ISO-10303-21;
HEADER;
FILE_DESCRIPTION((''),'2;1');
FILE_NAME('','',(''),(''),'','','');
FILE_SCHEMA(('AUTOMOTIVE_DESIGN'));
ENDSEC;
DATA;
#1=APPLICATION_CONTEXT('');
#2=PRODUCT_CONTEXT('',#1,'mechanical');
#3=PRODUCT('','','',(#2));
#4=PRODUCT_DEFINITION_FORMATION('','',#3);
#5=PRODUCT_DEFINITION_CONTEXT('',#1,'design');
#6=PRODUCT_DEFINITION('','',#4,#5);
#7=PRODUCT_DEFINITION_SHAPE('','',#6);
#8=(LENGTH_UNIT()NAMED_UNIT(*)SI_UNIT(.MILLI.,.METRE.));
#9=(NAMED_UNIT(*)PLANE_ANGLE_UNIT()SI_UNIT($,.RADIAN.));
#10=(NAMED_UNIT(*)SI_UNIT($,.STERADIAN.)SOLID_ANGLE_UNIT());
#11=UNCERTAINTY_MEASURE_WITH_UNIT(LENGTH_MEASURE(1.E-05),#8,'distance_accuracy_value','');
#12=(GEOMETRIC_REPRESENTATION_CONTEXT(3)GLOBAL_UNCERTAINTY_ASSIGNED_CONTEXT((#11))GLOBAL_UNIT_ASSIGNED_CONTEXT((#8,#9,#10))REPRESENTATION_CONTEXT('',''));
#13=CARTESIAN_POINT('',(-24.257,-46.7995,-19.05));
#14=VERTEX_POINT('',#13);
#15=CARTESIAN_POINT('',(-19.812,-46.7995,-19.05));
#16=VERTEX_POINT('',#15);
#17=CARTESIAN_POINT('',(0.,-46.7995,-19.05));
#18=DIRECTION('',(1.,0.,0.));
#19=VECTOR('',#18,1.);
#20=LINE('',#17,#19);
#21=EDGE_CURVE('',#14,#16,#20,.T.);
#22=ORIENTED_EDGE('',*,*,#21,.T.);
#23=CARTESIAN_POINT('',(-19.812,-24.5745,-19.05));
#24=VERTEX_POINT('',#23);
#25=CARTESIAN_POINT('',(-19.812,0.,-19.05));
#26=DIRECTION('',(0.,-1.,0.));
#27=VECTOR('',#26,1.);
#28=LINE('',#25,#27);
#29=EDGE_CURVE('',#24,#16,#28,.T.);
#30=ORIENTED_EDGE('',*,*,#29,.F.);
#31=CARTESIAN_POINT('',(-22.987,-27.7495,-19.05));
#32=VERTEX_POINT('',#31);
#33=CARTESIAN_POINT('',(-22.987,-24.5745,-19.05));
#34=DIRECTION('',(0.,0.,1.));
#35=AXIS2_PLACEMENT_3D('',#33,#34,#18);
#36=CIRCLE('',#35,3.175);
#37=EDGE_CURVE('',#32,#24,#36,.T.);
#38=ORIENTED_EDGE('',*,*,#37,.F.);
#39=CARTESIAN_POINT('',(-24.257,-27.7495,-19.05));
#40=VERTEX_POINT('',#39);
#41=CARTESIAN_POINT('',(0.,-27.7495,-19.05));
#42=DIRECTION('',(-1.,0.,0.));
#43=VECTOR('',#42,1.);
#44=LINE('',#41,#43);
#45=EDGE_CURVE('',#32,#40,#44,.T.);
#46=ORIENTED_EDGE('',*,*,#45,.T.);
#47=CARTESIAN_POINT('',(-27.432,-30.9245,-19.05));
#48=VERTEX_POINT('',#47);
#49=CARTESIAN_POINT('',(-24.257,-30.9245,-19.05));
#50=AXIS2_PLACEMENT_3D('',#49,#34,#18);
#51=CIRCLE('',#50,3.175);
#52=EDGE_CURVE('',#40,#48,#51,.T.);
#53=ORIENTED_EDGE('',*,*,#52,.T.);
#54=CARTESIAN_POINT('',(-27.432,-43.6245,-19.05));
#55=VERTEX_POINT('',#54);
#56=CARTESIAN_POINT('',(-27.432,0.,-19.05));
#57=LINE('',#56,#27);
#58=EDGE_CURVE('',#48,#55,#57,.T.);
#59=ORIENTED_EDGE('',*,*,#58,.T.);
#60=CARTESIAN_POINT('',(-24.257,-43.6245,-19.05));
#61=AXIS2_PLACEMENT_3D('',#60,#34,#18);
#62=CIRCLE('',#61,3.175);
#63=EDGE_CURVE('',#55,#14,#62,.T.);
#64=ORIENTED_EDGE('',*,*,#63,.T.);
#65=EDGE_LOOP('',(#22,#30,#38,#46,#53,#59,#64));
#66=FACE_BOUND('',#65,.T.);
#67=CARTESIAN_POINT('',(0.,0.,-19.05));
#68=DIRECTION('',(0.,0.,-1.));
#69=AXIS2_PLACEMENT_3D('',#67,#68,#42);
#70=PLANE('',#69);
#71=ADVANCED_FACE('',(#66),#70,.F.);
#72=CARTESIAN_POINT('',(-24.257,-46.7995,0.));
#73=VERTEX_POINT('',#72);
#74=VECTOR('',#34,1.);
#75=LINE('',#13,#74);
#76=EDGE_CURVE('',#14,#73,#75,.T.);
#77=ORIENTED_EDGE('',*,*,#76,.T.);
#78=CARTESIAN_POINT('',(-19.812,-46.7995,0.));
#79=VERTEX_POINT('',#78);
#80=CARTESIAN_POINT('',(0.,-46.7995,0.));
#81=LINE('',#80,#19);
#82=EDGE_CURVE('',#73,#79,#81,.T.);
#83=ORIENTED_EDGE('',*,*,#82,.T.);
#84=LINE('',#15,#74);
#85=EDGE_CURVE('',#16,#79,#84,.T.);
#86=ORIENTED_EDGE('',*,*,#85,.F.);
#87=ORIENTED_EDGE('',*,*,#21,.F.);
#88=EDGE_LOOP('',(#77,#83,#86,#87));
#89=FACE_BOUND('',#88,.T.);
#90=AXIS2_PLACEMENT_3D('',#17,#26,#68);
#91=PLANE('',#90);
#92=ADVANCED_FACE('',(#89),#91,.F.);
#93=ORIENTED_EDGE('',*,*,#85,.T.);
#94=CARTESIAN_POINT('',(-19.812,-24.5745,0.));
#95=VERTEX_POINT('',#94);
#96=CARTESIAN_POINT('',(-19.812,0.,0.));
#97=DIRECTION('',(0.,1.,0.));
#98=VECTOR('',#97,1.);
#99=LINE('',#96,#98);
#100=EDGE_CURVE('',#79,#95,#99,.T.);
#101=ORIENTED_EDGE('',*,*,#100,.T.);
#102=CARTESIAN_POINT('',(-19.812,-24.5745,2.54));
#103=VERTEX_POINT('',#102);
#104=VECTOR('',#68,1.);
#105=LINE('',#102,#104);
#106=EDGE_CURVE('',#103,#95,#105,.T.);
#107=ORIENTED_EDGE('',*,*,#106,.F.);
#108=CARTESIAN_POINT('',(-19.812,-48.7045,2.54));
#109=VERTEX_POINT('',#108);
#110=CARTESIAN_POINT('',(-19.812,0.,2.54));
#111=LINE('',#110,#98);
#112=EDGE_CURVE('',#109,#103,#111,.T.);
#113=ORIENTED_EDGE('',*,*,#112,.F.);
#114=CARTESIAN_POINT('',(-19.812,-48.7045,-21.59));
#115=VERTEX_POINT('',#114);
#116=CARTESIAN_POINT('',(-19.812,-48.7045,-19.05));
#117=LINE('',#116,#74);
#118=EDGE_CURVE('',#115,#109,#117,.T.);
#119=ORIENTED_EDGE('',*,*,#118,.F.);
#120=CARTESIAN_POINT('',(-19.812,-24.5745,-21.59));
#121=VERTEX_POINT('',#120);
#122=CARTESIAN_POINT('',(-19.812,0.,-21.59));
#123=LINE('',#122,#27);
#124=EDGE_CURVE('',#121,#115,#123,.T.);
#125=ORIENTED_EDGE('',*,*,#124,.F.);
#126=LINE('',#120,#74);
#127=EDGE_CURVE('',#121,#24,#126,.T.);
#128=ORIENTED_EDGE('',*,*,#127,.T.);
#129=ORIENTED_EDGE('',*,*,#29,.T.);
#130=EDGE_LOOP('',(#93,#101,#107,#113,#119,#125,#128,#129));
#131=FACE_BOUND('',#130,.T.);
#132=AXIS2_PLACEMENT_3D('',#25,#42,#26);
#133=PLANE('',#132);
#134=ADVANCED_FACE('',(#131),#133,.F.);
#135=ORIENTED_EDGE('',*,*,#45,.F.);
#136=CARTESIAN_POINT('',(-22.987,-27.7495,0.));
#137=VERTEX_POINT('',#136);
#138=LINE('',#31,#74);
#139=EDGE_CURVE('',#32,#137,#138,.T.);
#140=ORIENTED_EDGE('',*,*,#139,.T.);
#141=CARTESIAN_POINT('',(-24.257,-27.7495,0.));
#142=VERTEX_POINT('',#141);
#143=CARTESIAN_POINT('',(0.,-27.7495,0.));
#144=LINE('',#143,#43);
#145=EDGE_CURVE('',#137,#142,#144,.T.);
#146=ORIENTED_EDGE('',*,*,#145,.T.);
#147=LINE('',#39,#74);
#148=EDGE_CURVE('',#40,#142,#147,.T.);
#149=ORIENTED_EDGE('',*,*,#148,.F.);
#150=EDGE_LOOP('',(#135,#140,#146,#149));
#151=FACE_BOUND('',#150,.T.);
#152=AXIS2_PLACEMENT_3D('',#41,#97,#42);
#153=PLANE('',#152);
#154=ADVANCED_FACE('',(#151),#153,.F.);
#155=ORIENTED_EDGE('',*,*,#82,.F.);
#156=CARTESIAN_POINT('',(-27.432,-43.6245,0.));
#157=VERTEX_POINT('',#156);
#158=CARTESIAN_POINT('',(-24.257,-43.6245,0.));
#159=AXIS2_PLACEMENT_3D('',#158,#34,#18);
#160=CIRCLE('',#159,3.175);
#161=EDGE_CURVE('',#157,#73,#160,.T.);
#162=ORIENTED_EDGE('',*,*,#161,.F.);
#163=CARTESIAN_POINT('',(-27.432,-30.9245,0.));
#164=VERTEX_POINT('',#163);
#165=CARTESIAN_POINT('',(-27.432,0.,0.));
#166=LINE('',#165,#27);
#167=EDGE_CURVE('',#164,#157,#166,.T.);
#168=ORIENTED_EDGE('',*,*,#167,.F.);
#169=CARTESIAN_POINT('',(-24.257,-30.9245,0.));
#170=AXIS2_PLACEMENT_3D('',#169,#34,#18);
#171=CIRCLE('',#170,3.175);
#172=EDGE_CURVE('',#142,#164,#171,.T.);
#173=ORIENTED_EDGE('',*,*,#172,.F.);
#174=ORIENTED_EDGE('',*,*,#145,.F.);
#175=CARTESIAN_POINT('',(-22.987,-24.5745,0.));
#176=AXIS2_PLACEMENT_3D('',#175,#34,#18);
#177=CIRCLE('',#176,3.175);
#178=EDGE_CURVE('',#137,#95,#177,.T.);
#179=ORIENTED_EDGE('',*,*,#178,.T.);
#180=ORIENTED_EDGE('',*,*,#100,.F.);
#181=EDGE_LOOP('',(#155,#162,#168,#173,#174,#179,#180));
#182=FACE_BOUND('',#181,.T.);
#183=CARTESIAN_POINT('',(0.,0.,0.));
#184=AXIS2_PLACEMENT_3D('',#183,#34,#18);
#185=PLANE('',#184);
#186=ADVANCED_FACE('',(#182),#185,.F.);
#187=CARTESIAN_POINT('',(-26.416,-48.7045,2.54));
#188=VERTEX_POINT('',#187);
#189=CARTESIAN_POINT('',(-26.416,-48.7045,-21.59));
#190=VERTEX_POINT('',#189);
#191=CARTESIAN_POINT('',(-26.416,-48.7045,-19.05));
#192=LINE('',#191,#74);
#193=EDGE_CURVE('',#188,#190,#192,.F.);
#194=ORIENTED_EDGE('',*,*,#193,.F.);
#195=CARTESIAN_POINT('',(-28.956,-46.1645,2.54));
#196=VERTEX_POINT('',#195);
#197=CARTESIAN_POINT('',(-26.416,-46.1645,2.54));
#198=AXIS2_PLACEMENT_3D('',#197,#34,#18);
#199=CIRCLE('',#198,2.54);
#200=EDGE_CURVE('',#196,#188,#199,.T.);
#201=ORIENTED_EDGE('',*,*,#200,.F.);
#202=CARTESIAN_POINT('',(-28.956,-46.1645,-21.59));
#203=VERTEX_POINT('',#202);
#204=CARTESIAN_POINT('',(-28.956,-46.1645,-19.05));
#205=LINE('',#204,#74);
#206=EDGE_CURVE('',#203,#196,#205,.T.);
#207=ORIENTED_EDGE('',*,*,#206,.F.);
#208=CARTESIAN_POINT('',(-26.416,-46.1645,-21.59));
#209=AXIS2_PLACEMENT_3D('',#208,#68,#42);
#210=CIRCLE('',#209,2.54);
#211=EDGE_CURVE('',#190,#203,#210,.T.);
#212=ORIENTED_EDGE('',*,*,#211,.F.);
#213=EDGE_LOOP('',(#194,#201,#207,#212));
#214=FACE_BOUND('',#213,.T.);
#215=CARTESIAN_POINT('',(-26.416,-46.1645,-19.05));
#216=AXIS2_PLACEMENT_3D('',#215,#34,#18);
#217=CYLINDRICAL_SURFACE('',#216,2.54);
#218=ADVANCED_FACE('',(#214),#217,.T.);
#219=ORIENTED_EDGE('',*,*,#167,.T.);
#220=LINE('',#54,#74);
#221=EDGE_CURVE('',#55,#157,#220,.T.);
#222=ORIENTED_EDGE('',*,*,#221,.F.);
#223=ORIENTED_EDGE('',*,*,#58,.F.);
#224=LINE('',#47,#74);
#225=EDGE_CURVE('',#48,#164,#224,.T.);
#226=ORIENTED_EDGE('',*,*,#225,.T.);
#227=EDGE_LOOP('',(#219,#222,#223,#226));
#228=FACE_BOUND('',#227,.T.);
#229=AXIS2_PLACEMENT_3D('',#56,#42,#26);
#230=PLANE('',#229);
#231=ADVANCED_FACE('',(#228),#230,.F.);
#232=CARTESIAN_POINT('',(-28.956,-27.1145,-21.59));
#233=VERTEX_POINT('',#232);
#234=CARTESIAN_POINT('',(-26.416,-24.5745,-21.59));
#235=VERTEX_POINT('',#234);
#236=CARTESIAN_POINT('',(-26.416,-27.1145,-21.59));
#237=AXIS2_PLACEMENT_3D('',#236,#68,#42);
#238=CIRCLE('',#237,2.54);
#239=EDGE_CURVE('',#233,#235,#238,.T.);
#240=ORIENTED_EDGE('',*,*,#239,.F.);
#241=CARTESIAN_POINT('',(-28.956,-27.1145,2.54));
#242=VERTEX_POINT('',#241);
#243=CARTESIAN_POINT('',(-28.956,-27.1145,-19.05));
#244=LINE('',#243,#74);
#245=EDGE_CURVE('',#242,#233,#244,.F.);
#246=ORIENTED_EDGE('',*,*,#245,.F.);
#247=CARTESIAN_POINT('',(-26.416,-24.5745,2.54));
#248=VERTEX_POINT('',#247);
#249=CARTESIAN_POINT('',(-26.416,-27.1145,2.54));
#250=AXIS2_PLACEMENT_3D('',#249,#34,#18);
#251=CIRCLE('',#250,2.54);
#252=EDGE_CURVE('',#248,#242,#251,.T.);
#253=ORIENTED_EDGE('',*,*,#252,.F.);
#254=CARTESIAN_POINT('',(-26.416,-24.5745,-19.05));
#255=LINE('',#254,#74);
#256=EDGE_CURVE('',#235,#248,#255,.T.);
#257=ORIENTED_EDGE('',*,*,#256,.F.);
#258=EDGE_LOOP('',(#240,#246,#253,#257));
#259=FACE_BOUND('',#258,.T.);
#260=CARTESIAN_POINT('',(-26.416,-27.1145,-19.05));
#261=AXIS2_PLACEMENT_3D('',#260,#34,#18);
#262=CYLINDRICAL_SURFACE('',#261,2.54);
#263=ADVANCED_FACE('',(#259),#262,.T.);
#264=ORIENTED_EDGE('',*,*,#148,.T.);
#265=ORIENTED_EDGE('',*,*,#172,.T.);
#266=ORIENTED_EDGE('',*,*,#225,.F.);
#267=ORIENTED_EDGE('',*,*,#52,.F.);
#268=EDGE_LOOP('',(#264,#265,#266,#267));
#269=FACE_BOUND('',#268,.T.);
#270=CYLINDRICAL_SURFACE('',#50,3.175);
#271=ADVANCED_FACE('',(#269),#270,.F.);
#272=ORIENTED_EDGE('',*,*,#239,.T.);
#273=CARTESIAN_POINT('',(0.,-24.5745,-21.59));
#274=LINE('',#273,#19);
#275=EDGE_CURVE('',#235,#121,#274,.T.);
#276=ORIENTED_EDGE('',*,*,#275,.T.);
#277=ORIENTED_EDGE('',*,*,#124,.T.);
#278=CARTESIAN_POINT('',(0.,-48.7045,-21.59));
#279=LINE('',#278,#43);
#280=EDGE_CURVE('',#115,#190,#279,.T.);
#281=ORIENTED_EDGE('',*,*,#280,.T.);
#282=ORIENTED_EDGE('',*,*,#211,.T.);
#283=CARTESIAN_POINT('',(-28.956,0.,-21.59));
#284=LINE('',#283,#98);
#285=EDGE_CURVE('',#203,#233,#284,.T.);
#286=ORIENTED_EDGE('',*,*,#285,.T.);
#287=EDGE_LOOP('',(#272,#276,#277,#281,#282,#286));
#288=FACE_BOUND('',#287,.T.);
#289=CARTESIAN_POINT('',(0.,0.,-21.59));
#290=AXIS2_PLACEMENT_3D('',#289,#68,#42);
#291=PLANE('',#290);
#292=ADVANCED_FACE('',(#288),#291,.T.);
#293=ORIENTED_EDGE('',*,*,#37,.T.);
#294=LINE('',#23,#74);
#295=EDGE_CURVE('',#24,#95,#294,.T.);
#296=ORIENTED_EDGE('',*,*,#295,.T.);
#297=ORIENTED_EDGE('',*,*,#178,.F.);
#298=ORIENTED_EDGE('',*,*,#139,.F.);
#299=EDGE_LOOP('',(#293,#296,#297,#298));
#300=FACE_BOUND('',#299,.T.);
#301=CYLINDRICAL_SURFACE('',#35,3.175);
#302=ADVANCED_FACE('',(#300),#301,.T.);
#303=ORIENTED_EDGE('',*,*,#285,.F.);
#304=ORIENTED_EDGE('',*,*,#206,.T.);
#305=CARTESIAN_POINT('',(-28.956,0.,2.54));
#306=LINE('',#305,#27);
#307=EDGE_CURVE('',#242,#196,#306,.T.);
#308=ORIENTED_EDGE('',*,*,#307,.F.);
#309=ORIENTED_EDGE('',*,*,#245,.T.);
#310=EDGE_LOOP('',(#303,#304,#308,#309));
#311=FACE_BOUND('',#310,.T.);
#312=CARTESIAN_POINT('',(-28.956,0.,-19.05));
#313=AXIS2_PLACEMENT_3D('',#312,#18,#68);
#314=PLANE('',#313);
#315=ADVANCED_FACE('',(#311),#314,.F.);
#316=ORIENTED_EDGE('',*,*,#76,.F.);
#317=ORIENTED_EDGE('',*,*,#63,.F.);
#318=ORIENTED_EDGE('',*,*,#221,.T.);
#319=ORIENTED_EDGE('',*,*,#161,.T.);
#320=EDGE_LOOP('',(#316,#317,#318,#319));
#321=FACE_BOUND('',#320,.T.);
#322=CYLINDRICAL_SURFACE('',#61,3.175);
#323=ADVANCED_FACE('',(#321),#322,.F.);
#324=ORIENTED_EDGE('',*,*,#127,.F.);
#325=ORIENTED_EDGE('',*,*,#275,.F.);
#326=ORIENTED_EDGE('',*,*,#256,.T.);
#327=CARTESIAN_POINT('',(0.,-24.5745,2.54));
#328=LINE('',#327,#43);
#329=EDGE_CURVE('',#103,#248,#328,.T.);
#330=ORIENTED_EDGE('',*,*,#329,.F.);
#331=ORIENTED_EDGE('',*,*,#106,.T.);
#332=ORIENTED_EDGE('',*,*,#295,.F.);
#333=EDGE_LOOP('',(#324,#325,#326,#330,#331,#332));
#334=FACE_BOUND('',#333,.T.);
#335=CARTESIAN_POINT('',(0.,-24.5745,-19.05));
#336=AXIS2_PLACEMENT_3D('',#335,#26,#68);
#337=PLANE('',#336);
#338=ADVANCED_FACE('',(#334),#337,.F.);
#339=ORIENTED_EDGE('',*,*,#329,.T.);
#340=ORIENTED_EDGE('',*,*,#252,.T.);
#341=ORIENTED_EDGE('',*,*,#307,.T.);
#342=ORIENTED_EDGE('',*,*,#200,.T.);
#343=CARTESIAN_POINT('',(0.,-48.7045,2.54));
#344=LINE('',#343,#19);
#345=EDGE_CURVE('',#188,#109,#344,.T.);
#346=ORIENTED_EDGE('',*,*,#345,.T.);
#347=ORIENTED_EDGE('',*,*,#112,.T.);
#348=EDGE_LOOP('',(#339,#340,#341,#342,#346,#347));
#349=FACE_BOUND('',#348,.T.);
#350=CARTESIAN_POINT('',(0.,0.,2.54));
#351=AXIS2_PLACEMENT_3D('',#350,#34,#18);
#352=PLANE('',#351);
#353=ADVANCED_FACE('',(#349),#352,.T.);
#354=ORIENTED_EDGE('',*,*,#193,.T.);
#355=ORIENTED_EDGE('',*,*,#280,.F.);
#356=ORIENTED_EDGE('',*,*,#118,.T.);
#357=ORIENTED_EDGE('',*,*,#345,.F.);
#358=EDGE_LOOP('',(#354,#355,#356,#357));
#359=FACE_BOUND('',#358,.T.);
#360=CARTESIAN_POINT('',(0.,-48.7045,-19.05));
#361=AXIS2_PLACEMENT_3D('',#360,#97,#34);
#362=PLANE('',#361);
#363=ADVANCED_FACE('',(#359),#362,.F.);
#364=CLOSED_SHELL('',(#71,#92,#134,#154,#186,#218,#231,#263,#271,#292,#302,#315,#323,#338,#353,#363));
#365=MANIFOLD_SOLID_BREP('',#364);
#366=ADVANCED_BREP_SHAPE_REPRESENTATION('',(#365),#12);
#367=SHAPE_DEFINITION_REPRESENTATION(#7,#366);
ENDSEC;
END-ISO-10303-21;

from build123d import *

# Parameters (mm, degrees)
BOSS_EXTRUDE1_DEPTH = 19.05
BOSS_EXTRUDE2_START = 2.54
BOSS_EXTRUDE2_DEPTH = 2.54
BOSS_EXTRUDE3_DEPTH = 2.54
FILLET1_R           = 2.54


with BuildPart() as part:
    # Sketch1 → Boss-Extrude1 (new body)
    with BuildSketch(Plane.XY):
        with BuildLine():
            ThreePointArc((-22.987, -27.7495), (-20.74193597, -26.81956403), (-19.812, -24.5745))
            Line((-19.812, -24.5745), (-28.956, -24.5745))
            Line((-28.956, -24.5745), (-28.956, -48.7045))
            Line((-28.956, -48.7045), (-19.812, -48.7045))
            Line((-19.812, -48.7045), (-19.812, -46.7995))
            Line((-19.812, -46.7995), (-24.257, -46.7995))
            ThreePointArc((-24.257, -46.7995), (-26.50206403, -45.86956403), (-27.432, -43.6245))
            Line((-27.432, -43.6245), (-27.432, -30.9245))
            ThreePointArc((-27.432, -30.9245), (-26.50206403, -28.67943597), (-24.257, -27.7495))
            Line((-24.257, -27.7495), (-22.987, -27.7495))
        make_face()
    extrude(amount=-BOSS_EXTRUDE1_DEPTH)

    # Sketch2 → Boss-Extrude2 (add)
    with BuildSketch(Plane.XY.offset(BOSS_EXTRUDE2_START)):
        with BuildLine():
            Line((-19.812, -46.7995), (-24.257, -46.7995))
            ThreePointArc((-24.257, -46.7995), (-26.50206403, -45.86956403), (-27.432, -43.6245))
            Line((-27.432, -43.6245), (-27.432, -30.9245))
            ThreePointArc((-27.432, -30.9245), (-26.50206403, -28.67943597), (-24.257, -27.7495))
            Line((-24.257, -27.7495), (-22.987, -27.7495))
            ThreePointArc((-22.987, -27.7495), (-20.74193597, -26.81956403), (-19.812, -24.5745))
            Line((-19.812, -24.5745), (-28.956, -24.5745))
            Line((-28.956, -24.5745), (-28.956, -48.7045))
            Line((-28.956, -48.7045), (-19.812, -48.7045))
            Line((-19.812, -48.7045), (-19.812, -46.7995))
        make_face()
        with BuildLine():
            Line((-19.812, -46.7995), (-19.812, -24.5745))
            ThreePointArc((-19.812, -24.5745), (-20.74193597, -26.81956403), (-22.987, -27.7495))
            Line((-22.987, -27.7495), (-24.257, -27.7495))
            ThreePointArc((-24.257, -27.7495), (-26.50206403, -28.67943597), (-27.432, -30.9245))
            Line((-27.432, -30.9245), (-27.432, -43.6245))
            ThreePointArc((-27.432, -43.6245), (-26.50206403, -45.86956403), (-24.257, -46.7995))
            Line((-24.257, -46.7995), (-19.812, -46.7995))
        make_face()
    extrude(amount=-BOSS_EXTRUDE2_DEPTH)

    # Sketch3 → Boss-Extrude3 (add)
    with BuildSketch(Plane(origin=(0, 0, -19.05), x_dir=(-1, 0, 0), z_dir=(0, 0, -1))):
        with BuildLine():
            ThreePointArc((22.987, -27.7495), (20.74193597, -26.81956403), (19.812, -24.5745))
            Line((19.812, -24.5745), (19.812, -46.7995))
            Line((19.812, -46.7995), (24.257, -46.7995))
            ThreePointArc((24.257, -46.7995), (26.50206403, -45.86956403), (27.432, -43.6245))
            Line((27.432, -43.6245), (27.432, -30.9245))
            ThreePointArc((27.432, -30.9245), (26.50206403, -28.67943597), (24.257, -27.7495))
            Line((24.257, -27.7495), (22.987, -27.7495))
        make_face()
        with BuildLine():
            Line((27.432, -30.9245), (27.432, -43.6245))
            ThreePointArc((27.432, -43.6245), (26.50206403, -45.86956403), (24.257, -46.7995))
            Line((24.257, -46.7995), (19.812, -46.7995))
            Line((19.812, -46.7995), (19.812, -48.7045))
            Line((19.812, -48.7045), (28.956, -48.7045))
            Line((28.956, -48.7045), (28.956, -24.5745))
            Line((28.956, -24.5745), (19.812, -24.5745))
            ThreePointArc((19.812, -24.5745), (20.74193597, -26.81956403), (22.987, -27.7495))
            Line((22.987, -27.7495), (24.257, -27.7495))
            ThreePointArc((24.257, -27.7495), (26.50206403, -28.67943597), (27.432, -30.9245))
        make_face()
    extrude(amount=BOSS_EXTRUDE3_DEPTH)

    # Fillet1
    fillet1_edges = [part.edges().sort_by_distance(p)[0] for p in [
        (-28.956, -48.7045, -9.525),
        (-28.956, -24.5745, -9.525),
    ]]
    fillet(fillet1_edges, radius=FILLET1_R)


solid = part.part
